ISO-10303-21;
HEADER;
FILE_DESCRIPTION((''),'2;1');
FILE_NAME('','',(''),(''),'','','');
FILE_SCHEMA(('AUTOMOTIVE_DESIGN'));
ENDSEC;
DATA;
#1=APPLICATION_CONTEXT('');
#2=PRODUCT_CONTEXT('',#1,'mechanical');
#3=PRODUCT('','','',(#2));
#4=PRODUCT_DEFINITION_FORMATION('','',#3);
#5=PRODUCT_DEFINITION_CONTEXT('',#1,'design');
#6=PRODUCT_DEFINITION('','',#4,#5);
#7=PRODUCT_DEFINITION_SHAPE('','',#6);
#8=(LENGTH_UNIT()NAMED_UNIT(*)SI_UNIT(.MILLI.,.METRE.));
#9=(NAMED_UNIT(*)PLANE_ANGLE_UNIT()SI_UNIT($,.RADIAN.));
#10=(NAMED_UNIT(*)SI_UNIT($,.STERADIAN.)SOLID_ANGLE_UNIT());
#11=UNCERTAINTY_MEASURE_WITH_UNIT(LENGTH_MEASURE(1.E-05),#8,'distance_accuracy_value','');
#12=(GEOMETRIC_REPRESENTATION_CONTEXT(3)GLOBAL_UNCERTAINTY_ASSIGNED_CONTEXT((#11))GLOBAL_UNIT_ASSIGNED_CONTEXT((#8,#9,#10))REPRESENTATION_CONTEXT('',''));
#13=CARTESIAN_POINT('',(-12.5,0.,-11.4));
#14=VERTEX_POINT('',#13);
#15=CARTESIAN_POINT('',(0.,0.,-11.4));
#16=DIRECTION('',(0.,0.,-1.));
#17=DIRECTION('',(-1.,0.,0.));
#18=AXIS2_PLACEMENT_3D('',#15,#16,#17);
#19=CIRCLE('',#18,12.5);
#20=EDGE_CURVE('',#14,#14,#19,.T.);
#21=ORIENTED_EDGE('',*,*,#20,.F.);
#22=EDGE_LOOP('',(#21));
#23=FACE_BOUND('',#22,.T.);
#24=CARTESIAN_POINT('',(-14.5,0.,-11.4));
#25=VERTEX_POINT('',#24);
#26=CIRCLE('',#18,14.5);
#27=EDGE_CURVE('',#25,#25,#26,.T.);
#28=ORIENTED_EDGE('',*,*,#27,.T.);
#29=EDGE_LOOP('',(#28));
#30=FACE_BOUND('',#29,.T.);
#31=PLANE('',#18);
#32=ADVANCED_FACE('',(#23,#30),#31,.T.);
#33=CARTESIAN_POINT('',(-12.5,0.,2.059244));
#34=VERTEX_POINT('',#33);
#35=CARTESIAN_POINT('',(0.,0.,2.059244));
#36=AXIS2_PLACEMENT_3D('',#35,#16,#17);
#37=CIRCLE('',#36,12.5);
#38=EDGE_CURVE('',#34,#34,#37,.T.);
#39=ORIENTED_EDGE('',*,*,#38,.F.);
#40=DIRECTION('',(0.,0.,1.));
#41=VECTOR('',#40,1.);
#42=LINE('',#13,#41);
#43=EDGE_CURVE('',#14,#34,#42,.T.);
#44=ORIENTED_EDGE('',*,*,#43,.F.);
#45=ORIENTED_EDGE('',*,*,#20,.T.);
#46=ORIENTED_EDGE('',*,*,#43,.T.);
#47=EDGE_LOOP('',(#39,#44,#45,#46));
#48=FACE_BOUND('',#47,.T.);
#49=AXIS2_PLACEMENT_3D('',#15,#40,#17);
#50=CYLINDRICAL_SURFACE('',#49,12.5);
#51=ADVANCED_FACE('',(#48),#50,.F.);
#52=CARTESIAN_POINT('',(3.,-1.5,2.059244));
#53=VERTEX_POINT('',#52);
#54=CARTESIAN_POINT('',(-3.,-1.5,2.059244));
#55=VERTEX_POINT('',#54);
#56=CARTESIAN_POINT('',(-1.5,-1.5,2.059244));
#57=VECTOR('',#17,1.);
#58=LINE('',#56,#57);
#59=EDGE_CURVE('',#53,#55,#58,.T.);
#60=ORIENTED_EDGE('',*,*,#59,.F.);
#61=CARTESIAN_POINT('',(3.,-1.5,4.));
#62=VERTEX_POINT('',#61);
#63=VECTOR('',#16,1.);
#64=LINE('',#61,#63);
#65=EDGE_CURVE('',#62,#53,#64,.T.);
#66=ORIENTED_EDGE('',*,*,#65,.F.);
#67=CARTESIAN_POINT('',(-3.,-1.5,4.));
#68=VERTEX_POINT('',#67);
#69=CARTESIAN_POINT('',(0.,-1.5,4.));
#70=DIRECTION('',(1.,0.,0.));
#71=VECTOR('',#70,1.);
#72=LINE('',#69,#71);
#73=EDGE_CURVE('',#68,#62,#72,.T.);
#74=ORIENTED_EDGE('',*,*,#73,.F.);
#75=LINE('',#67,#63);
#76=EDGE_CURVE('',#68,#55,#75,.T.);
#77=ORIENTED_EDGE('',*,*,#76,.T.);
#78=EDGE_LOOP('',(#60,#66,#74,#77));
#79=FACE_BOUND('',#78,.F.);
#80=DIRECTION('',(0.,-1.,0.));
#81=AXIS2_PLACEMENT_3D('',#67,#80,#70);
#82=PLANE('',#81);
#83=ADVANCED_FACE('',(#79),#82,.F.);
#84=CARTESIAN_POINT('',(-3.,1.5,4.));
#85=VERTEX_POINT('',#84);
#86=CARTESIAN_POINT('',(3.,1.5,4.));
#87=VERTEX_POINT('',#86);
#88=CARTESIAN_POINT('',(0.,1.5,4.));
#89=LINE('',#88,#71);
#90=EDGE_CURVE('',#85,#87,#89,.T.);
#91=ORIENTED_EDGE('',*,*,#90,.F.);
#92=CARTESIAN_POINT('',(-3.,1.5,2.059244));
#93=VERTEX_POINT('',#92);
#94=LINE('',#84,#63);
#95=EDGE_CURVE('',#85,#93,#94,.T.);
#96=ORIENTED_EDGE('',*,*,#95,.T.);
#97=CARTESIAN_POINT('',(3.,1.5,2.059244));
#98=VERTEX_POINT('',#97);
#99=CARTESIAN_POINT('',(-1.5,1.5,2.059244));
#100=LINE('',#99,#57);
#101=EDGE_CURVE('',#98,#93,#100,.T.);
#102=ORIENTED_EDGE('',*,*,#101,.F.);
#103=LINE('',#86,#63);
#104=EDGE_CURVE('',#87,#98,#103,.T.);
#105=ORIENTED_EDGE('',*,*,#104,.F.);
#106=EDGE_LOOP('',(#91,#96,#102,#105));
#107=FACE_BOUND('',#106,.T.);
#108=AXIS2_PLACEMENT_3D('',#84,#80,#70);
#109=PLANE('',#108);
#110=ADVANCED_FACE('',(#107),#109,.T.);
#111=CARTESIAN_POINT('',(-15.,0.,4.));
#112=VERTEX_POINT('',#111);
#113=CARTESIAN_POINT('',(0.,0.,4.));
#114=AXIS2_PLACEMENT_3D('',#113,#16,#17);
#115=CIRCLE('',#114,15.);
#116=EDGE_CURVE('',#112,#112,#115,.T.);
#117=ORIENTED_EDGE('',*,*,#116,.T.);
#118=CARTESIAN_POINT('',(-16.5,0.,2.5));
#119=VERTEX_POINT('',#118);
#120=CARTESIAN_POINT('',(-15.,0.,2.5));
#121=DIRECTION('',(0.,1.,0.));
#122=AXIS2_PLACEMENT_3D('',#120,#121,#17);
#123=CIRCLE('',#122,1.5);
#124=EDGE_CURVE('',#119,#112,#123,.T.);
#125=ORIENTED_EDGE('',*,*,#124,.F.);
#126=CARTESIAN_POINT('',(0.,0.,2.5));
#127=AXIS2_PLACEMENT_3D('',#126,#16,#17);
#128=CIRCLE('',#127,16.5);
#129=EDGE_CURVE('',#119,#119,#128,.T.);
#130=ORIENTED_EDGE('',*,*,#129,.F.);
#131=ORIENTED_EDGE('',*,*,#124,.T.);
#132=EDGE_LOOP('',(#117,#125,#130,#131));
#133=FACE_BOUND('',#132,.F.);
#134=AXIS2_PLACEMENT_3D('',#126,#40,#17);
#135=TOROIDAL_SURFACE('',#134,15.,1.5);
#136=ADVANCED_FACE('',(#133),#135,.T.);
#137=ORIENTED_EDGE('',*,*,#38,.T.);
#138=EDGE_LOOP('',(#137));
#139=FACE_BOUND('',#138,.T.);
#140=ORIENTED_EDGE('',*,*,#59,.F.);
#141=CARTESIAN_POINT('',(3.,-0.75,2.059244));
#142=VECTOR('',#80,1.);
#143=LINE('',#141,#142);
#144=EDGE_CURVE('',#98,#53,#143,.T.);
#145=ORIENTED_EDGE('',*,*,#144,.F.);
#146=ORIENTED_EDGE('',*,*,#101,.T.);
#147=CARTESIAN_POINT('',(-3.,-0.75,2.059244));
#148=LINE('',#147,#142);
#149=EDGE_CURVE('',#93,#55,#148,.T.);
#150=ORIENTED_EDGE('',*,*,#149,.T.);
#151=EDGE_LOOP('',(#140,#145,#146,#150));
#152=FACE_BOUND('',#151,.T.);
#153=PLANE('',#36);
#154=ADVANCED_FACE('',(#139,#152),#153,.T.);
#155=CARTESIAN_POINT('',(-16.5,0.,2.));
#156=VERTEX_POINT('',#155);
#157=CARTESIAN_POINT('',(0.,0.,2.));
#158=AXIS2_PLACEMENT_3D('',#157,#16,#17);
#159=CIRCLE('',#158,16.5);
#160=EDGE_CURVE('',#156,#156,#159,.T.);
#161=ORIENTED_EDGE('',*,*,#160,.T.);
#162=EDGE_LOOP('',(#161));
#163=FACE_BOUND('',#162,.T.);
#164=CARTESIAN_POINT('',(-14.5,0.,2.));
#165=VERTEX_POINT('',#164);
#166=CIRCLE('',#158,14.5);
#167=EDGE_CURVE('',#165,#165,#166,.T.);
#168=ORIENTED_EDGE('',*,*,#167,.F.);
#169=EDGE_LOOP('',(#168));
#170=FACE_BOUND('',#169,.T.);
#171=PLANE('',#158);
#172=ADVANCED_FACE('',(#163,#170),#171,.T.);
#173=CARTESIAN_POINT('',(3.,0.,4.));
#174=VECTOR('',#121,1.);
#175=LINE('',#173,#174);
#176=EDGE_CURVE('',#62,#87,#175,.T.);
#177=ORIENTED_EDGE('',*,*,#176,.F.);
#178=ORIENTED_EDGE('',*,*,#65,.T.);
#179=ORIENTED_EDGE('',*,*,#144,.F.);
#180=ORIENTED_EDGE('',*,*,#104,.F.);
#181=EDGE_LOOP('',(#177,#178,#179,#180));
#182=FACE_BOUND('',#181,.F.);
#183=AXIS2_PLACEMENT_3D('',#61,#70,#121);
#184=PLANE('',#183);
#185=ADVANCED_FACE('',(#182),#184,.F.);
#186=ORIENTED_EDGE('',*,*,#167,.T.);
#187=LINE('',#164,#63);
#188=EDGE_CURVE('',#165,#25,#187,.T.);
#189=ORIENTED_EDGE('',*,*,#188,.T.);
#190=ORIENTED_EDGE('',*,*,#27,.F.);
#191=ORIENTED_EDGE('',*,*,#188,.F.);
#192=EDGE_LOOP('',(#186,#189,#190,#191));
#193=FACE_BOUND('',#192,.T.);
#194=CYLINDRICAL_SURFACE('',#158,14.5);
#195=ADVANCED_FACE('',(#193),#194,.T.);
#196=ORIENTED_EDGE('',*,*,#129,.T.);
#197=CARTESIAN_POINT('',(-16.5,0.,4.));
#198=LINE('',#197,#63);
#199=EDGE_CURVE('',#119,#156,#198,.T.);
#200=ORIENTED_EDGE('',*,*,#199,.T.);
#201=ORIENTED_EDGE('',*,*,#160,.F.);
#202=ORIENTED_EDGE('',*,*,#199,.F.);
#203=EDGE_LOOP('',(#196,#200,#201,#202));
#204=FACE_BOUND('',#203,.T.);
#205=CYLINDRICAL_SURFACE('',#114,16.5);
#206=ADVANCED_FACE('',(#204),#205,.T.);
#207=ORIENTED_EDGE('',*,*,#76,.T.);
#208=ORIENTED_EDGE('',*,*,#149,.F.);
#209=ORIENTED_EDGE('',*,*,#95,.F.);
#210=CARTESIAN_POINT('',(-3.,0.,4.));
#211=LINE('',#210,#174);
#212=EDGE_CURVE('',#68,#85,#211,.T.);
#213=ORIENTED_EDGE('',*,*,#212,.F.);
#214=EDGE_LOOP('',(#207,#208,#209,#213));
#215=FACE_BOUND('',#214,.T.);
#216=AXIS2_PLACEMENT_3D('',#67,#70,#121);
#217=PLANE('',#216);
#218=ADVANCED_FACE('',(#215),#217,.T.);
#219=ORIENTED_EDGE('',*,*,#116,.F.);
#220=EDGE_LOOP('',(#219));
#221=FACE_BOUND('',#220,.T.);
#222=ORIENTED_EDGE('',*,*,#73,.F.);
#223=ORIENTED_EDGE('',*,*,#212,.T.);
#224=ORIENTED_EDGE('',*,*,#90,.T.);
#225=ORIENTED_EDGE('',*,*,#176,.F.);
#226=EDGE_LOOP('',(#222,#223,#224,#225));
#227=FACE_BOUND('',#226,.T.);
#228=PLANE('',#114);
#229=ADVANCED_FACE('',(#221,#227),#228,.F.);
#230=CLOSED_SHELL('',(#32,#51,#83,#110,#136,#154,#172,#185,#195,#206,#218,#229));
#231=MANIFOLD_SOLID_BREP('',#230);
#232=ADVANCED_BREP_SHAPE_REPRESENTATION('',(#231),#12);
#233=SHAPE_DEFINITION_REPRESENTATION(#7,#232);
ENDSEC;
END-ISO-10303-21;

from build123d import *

# Parameters (mm, degrees)
F2_W     = 6
F2_H     = 3
F3_DEPTH = 25
F4_R     = 1.5


with BuildPart() as f1:
    # F0 (on Front) → F1 (revolve)
    with BuildSketch(Plane.XZ):
        Polygon((-16.5, 2), (-14.5, 2), (-14.5, -11.4), (-12.5, -11.4), (-12.5, 2.059244), (0, 2.059244), (0, 4), (-16.5, 4), align=None)
    revolve(axis=Axis((0, 0, -8.009328), (0, 0, -1)))

    # F2 (on face) → F3 (cut)
    with BuildSketch(Plane.XY.offset(4)):
        Rectangle(F2_W, F2_H)
    extrude(amount=-F3_DEPTH, mode=Mode.SUBTRACT)

    # F4
    f4_edges = [f1.edges().sort_by_distance(p)[0] for p in [
        (16.5, 0, 4),
    ]]
    fillet(f4_edges, radius=F4_R)


solid = f1.part
